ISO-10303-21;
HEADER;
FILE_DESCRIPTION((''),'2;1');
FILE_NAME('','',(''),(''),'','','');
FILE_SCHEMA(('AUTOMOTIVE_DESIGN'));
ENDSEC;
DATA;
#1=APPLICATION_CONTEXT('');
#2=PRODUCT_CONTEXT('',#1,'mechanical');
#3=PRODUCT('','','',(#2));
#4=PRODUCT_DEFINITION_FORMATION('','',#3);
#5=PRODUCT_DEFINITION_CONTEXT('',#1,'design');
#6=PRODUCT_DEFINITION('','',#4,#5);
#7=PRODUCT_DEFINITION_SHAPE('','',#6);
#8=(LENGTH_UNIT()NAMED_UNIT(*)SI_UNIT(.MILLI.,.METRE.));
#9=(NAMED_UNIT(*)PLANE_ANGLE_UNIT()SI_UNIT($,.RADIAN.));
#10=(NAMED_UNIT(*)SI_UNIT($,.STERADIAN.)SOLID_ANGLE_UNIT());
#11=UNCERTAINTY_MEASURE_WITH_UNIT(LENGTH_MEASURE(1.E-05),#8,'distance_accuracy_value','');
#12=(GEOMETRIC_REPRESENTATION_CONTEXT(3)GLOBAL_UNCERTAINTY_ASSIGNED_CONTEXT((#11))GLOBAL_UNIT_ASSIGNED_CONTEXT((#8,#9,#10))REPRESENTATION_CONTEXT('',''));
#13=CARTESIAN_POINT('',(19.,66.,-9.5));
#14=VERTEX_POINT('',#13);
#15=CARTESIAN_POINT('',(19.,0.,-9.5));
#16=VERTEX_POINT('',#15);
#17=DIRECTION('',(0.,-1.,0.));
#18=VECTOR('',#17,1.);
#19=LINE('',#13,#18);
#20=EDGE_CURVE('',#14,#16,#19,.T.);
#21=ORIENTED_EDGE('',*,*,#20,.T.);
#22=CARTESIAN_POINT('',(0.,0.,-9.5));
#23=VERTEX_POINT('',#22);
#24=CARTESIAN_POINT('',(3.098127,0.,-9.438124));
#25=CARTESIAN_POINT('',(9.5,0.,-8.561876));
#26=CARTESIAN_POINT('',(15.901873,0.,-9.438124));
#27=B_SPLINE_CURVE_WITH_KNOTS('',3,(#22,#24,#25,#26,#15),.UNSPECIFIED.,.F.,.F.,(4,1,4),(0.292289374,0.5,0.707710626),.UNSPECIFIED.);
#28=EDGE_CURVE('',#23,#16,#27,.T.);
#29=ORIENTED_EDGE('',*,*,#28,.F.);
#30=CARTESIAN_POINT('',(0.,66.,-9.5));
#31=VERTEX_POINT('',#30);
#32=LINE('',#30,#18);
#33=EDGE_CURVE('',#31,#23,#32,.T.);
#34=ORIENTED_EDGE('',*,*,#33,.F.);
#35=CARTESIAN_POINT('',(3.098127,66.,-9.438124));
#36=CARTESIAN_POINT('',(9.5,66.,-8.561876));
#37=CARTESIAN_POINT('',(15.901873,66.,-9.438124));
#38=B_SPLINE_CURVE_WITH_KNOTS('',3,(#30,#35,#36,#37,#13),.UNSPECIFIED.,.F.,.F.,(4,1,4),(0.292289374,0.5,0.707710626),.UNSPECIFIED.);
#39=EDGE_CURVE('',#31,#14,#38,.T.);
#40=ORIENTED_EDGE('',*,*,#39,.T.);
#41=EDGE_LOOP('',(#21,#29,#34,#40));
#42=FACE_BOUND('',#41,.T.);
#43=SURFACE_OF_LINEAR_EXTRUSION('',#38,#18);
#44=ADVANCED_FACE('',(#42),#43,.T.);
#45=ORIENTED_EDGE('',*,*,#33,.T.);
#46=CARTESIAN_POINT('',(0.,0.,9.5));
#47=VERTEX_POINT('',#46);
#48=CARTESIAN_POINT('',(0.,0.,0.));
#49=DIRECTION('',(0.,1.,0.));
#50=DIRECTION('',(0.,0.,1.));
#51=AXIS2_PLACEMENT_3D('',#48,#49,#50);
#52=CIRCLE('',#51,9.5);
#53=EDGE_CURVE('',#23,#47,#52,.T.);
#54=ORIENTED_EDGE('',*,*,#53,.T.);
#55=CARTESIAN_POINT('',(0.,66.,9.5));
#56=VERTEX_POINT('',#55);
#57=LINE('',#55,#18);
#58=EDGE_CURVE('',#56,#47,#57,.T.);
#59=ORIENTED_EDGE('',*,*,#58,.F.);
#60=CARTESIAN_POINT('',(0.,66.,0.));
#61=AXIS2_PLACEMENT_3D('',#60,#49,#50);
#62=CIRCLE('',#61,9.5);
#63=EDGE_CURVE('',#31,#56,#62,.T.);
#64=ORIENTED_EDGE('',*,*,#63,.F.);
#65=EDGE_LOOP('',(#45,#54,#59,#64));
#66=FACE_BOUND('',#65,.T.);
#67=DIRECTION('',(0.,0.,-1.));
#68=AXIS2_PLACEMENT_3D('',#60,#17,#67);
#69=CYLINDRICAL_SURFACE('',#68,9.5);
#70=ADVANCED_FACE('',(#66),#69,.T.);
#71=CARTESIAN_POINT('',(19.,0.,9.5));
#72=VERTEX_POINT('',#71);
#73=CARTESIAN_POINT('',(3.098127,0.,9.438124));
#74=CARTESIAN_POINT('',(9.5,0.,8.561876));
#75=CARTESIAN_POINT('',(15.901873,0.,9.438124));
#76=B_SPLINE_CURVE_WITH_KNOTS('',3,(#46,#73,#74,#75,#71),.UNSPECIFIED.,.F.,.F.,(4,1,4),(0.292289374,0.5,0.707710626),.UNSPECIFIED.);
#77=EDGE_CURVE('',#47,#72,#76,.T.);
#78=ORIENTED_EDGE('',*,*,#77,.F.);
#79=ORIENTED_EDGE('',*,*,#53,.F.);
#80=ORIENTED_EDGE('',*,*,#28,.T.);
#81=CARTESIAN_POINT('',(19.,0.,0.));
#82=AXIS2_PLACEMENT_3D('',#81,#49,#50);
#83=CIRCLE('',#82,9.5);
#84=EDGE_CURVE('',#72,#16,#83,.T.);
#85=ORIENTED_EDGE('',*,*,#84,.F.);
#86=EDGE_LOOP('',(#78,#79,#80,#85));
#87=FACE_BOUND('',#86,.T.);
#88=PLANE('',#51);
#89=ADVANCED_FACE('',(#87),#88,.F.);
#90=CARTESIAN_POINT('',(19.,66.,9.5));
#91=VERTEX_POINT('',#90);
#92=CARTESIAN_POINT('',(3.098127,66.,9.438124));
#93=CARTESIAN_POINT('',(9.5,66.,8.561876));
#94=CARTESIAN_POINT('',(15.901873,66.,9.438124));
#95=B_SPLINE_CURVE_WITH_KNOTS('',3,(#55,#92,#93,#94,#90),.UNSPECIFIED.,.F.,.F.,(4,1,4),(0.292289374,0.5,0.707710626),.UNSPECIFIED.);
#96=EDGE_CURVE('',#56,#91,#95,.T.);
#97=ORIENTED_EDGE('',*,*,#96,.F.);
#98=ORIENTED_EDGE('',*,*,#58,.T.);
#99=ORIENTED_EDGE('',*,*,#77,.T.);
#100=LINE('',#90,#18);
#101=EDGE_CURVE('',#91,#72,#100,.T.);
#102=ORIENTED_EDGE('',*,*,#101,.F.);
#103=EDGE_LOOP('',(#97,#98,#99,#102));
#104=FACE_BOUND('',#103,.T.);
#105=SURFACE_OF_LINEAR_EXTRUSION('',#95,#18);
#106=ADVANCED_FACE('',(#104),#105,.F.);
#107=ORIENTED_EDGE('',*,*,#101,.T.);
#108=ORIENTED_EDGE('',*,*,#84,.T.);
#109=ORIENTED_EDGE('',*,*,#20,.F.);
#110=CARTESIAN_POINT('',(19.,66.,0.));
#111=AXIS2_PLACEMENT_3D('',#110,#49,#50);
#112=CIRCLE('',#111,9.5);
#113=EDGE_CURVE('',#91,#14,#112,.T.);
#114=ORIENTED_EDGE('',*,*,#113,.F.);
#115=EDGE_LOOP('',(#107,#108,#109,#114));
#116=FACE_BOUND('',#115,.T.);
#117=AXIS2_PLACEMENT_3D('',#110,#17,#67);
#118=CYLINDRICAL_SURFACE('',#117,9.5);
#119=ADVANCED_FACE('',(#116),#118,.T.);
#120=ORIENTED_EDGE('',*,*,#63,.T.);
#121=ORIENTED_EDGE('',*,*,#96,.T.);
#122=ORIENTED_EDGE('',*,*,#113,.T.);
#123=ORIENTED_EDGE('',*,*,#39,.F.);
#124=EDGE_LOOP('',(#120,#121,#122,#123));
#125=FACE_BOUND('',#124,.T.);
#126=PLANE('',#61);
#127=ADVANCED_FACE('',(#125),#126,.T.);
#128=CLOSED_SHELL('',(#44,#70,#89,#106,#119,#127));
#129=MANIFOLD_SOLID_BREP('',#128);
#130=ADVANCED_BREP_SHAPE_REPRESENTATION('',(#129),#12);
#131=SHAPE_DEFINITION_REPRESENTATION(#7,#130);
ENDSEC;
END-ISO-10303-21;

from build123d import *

# Parameters (mm, degrees)
BOSS_EXTRUDE1_DEPTH = 66


with BuildPart() as part:
    # Sketch1 → Boss-Extrude1 (new body)
    with BuildSketch(Plane(origin=(0, 0, 0), x_dir=(1, 0, 0), z_dir=(0, 1, 0))):
        with BuildLine():
            ThreePointArc((0.496605757, 9.487011264), (6.890854617, 6.539581229), (9.5, 0))
            Line((9.5, 0), (9.5, 9))
            add(Edge.make_bspline(
                [(0.496605757, 9.487011264), (3.439590397, 9.392632679), (6.469795198, 9), (9.5, 9)],
                knots=[0.303368247, 0.303368247, 0.303368247, 0.303368247, 0.5, 0.5, 0.5, 0.5], degree=3))
        make_face()
        with BuildLine():
            ThreePointArc((0.496605757, -9.487011264), (6.890854617, -6.539581229), (9.5, 0))
            ThreePointArc((9.5, 0), (6.890854617, 6.539581229), (0.496605757, 9.487011264))
            add(Edge.make_bspline(
                [(0, 9.5), (0.165247966, 9.496699631), (0.330788419, 9.492328861), (0.496605757, 9.487011264)],
                knots=[0.292289374, 0.292289374, 0.292289374, 0.292289374, 0.303368247, 0.303368247, 0.303368247, 0.303368247], degree=3))
            ThreePointArc((0, 9.5), (-9.5, 0), (0, -9.5))
            add(Edge.make_bspline(
                [(0, -9.5), (0.165247966, -9.496699631), (0.330788419, -9.492328861), (0.496605757, -9.487011264)],
                knots=[0.292289374, 0.292289374, 0.292289374, 0.292289374, 0.303368247, 0.303368247, 0.303368247, 0.303368247], degree=3))
        make_face()
        with BuildLine():
            ThreePointArc((18.503394243, -9.487011264), (12.109145383, -6.539581229), (9.5, 0))
            ThreePointArc((9.5, 0), (6.890854617, -6.539581229), (0.496605757, -9.487011264))
            add(Edge.make_bspline(
                [(0.496605757, -9.487011264), (3.439590397, -9.392632679), (9.5, -8.607367321), (15.560409603, -9.392632679), (18.503394243, -9.487011264)],
                knots=[0.303368247, 0.303368247, 0.303368247, 0.303368247, 0.5, 0.696631753, 0.696631753, 0.696631753, 0.696631753], degree=3))
        make_face()
        with BuildLine():
            Line((9.5, 9), (9.5, 0))
            ThreePointArc((9.5, 0), (12.109145383, 6.539581229), (18.503394243, 9.487011264))
            add(Edge.make_bspline(
                [(9.5, 9), (12.530204802, 9), (15.560409603, 9.392632679), (18.503394243, 9.487011264)],
                knots=[0.5, 0.5, 0.5, 0.5, 0.696631753, 0.696631753, 0.696631753, 0.696631753], degree=3))
        make_face()
        with BuildLine():
            ThreePointArc((18.503394243, 9.487011264), (12.109145383, 6.539581229), (9.5, 0))
            ThreePointArc((9.5, 0), (12.109145383, -6.539581229), (18.503394243, -9.487011264))
            add(Edge.make_bspline(
                [(18.503394243, -9.487011264), (18.669211581, -9.492328861), (18.834752034, -9.496699631), (19, -9.5)],
                knots=[0.696631753, 0.696631753, 0.696631753, 0.696631753, 0.707710626, 0.707710626, 0.707710626, 0.707710626], degree=3))
            ThreePointArc((19, -9.5), (25.717514421, -6.717514421), (28.5, 0))
            ThreePointArc((28.5, 0), (25.717514421, 6.717514421), (19, 9.5))
            add(Edge.make_bspline(
                [(18.503394243, 9.487011264), (18.669211581, 9.492328861), (18.834752034, 9.496699631), (19, 9.5)],
                knots=[0.696631753, 0.696631753, 0.696631753, 0.696631753, 0.707710626, 0.707710626, 0.707710626, 0.707710626], degree=3))
        make_face()
    extrude(amount=BOSS_EXTRUDE1_DEPTH)


solid = part.part
